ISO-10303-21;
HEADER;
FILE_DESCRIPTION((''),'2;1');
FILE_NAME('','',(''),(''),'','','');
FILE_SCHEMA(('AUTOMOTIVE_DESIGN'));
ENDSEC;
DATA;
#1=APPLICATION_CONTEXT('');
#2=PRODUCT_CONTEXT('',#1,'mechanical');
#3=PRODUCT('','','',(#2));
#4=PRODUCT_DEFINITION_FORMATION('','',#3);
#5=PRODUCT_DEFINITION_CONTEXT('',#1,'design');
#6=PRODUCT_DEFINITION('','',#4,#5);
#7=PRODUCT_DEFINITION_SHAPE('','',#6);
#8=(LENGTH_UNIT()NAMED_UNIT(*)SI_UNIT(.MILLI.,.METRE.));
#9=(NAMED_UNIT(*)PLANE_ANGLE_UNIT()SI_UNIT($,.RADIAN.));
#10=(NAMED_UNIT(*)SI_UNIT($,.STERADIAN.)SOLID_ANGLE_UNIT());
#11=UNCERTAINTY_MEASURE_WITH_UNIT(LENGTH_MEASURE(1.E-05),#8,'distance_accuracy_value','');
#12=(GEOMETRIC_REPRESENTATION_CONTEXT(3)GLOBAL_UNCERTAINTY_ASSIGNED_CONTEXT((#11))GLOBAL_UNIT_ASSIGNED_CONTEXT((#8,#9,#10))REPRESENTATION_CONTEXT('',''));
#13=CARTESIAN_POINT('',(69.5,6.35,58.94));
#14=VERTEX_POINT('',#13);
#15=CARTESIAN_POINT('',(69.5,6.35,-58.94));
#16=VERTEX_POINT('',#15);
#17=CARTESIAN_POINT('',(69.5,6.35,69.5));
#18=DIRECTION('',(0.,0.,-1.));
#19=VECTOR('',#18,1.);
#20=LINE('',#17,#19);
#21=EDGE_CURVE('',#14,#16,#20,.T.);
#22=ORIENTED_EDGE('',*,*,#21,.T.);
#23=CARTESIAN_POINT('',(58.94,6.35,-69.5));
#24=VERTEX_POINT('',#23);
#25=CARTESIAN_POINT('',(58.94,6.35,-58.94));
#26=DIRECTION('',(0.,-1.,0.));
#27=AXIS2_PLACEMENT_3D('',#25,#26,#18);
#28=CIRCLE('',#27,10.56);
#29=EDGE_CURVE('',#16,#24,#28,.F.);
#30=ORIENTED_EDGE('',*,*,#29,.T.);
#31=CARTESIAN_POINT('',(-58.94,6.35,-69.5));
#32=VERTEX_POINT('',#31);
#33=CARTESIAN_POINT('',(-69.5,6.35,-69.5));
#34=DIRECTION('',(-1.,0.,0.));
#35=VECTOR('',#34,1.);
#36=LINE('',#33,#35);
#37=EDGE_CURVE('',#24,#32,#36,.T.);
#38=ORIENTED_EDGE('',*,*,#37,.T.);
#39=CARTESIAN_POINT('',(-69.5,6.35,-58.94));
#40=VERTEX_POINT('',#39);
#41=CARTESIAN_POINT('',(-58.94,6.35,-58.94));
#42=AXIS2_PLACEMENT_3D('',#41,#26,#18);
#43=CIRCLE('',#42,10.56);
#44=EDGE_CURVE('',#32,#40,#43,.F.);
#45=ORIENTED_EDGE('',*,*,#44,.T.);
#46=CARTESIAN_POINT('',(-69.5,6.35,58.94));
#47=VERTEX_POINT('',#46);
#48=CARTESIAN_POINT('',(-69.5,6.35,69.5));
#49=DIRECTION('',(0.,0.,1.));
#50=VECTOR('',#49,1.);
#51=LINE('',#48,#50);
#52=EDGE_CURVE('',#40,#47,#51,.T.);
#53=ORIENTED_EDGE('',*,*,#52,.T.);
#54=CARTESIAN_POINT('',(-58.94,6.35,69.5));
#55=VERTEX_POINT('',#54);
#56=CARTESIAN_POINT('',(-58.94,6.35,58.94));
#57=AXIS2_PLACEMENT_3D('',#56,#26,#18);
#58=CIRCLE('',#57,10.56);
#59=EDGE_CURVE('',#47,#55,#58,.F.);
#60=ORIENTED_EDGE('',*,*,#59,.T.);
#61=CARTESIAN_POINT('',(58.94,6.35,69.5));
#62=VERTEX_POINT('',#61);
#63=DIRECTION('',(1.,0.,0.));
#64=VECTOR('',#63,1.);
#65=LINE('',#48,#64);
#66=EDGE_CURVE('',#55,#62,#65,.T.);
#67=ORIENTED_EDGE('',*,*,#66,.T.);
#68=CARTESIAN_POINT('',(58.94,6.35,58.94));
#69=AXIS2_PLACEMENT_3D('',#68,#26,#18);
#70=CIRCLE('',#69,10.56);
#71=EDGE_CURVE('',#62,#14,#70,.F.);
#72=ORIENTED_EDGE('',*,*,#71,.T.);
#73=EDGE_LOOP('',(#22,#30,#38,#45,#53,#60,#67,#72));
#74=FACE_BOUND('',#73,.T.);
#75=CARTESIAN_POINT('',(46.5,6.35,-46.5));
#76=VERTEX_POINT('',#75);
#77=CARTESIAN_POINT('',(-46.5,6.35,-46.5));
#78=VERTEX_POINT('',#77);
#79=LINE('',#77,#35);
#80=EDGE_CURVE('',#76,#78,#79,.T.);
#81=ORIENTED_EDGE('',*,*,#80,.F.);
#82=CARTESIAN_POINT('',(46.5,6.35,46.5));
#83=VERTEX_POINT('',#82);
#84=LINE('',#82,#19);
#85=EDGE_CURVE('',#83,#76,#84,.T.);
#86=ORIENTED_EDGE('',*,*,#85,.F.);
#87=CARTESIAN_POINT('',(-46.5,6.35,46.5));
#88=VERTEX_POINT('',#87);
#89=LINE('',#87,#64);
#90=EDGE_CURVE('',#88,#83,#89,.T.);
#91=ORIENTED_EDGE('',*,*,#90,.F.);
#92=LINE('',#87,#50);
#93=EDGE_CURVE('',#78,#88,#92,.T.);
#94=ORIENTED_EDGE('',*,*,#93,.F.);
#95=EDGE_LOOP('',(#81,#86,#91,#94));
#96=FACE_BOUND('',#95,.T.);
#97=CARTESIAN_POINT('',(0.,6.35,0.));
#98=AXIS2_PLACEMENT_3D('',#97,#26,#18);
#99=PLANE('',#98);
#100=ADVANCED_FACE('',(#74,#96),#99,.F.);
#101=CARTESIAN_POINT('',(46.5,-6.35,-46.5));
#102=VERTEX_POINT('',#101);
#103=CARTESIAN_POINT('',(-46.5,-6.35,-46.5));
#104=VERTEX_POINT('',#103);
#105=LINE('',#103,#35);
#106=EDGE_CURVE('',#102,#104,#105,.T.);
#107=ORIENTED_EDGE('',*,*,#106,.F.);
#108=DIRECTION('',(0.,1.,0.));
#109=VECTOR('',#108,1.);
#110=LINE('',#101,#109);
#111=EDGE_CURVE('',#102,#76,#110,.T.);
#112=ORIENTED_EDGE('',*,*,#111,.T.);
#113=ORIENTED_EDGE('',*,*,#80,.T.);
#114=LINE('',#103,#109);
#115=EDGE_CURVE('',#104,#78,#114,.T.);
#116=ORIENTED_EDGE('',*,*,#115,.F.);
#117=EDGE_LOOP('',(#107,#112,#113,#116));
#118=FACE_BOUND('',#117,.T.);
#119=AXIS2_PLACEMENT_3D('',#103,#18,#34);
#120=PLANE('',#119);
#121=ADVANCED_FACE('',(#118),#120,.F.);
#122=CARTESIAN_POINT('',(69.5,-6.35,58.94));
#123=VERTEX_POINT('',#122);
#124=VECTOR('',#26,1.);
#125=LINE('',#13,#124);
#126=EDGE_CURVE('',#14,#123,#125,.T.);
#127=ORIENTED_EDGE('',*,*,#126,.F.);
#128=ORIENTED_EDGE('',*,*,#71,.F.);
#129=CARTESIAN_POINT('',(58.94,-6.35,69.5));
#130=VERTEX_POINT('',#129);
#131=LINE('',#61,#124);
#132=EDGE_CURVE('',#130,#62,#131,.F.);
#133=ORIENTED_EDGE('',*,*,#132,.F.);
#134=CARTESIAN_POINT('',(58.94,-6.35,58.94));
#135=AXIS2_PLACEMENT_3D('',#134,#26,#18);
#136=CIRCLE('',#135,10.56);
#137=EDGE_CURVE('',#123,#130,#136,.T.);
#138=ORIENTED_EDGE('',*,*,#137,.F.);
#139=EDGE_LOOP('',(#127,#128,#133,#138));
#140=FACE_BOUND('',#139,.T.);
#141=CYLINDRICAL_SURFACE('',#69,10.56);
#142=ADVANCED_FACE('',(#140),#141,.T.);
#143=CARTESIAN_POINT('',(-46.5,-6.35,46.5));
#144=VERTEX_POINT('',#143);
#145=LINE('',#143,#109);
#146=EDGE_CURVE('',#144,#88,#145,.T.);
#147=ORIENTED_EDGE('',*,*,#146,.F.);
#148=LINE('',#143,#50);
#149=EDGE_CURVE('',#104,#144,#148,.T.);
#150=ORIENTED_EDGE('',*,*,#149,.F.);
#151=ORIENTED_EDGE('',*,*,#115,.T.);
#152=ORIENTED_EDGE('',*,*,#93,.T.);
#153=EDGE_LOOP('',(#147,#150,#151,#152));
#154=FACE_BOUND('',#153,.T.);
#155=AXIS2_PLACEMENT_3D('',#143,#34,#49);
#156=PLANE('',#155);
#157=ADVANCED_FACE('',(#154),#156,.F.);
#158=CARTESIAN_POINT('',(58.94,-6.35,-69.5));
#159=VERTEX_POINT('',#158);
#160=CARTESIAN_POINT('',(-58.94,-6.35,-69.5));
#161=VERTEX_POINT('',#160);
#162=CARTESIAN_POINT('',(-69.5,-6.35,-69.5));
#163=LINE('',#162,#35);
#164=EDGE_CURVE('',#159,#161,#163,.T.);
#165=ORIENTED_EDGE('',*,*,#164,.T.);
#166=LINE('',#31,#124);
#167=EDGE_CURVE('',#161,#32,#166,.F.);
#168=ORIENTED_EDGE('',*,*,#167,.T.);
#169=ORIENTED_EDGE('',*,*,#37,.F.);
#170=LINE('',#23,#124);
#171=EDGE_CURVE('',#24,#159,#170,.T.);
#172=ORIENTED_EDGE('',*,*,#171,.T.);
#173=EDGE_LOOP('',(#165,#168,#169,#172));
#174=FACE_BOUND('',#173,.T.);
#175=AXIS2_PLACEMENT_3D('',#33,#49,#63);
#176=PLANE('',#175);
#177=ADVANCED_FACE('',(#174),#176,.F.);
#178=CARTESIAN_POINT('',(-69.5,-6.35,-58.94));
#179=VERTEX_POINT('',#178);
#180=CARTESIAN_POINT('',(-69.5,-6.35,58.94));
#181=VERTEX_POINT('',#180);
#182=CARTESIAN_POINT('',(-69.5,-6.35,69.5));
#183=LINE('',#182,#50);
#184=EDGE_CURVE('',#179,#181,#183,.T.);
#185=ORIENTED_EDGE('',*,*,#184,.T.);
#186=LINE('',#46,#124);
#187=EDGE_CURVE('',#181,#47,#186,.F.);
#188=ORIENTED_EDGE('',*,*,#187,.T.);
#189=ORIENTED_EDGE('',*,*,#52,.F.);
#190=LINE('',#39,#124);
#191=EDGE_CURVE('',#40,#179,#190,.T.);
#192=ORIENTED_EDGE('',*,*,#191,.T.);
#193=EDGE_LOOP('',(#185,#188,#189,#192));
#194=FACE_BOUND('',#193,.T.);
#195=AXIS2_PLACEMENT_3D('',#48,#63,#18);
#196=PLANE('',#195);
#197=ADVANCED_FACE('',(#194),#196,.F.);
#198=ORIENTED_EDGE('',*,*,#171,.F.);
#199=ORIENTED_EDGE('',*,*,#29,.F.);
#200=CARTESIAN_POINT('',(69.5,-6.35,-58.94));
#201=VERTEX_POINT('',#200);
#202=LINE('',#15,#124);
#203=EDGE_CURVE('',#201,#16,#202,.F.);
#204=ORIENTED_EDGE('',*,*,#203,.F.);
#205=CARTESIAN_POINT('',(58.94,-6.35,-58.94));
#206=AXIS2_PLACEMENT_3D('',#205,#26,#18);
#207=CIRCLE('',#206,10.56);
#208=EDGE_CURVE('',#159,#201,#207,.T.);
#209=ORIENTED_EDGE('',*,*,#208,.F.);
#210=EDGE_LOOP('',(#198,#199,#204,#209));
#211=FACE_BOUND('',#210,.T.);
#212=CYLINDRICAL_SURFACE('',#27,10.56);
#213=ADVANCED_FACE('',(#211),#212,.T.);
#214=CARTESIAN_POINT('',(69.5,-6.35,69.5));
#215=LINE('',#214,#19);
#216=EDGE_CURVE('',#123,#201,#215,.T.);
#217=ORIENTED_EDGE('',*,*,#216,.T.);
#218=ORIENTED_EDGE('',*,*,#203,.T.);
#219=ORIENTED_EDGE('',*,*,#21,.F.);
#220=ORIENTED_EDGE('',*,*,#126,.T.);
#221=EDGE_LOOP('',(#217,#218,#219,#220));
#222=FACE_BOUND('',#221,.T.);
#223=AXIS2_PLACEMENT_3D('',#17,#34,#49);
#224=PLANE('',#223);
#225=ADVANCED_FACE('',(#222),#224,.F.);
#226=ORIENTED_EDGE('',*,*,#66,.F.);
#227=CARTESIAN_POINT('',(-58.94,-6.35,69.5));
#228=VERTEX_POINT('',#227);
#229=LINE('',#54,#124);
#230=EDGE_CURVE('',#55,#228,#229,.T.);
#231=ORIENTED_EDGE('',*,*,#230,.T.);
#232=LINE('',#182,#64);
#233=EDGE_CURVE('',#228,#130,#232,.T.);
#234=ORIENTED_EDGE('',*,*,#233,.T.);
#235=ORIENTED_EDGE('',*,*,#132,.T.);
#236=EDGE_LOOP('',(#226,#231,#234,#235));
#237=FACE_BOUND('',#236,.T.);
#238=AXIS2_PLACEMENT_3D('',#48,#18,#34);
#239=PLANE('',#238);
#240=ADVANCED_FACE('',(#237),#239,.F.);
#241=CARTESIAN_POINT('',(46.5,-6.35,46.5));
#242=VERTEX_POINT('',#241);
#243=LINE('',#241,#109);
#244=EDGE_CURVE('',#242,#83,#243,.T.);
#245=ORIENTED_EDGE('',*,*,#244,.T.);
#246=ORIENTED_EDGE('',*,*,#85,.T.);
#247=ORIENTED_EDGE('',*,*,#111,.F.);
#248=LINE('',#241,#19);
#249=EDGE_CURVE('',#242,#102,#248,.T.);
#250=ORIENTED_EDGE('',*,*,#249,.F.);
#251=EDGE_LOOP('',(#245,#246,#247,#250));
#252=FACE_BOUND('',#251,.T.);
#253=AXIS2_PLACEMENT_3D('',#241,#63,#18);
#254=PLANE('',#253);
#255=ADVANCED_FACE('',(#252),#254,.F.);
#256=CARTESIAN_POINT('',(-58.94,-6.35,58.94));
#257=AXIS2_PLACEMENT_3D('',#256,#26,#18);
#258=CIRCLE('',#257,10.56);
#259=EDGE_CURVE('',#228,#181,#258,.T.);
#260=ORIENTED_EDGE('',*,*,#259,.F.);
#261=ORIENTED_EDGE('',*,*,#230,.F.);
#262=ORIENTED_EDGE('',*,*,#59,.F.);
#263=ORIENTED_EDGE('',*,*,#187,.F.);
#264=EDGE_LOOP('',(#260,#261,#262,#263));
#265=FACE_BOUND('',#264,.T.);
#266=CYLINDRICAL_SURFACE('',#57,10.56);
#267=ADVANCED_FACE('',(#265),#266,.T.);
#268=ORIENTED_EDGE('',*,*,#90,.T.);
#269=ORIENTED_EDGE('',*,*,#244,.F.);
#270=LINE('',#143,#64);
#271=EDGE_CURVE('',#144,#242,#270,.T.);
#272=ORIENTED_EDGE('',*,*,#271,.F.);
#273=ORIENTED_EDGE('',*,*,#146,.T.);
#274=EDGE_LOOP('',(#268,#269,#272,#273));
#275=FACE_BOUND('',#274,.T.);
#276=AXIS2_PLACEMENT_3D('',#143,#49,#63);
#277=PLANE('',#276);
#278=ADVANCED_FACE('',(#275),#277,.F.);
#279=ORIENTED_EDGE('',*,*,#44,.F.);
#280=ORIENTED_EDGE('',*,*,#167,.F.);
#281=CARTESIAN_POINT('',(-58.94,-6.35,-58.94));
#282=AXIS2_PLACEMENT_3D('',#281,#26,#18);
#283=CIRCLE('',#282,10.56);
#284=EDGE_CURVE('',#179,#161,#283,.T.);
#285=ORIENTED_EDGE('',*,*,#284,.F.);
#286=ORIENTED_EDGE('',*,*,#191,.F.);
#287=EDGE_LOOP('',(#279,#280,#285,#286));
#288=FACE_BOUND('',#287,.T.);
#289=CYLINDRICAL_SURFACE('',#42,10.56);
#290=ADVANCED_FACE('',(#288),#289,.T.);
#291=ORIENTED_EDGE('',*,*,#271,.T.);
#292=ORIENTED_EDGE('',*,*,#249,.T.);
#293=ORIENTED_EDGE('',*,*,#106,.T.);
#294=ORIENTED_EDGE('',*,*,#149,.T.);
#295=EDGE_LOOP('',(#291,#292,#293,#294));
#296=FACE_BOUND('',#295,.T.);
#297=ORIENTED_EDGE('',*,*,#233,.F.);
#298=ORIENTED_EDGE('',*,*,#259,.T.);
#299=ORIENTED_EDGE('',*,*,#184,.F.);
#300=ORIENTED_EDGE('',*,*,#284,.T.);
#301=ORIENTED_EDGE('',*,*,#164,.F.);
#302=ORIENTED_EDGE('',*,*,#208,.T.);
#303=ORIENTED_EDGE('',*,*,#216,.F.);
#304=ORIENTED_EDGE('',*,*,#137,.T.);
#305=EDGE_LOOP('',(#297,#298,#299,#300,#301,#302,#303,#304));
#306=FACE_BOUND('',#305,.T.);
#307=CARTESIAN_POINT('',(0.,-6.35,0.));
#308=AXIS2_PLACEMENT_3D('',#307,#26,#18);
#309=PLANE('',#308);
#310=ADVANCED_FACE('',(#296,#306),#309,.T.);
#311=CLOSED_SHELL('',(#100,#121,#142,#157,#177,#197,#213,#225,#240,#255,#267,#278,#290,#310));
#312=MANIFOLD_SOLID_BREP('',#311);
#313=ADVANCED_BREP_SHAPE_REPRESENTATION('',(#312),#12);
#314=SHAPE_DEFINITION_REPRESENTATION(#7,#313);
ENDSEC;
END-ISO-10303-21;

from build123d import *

# Parameters (mm, degrees)
SKETCH1_W           = 139
SKETCH1_H           = 139
BOSS_EXTRUDE1_DEPTH = 6.35
FILLET1_R           = 10.56
SKETCH2_W           = 93
SKETCH2_H           = 93
SLOTCUT_DEPTH       = 100.104944377


with BuildPart() as part:
    # Sketch1 → Boss-Extrude1 (new, symmetric)
    with BuildSketch(Plane(origin=(0, 0, 0), x_dir=(1, 0, 0), z_dir=(0, 1, 0))):
        Rectangle(SKETCH1_W, SKETCH1_H)
    extrude(amount=BOSS_EXTRUDE1_DEPTH, both=True)

    # Fillet1
    fillet1_edges = [part.edges().sort_by_distance(p)[0] for p in [
        (69.5, 0, 69.5),
        (-69.5, 0, 69.5),
        (-69.5, 0, -69.5),
        (69.5, 0, -69.5),
    ]]
    fillet(fillet1_edges, radius=FILLET1_R)

    # Sketch2 → SlotCut (cut, through all)
    with BuildSketch(Plane(origin=(0, 6.35, 0), x_dir=(1, 0, 0), z_dir=(0, 1, 0))):
        Rectangle(SKETCH2_W, SKETCH2_H)
    extrude(amount=-SLOTCUT_DEPTH, mode=Mode.SUBTRACT)


solid = part.part
